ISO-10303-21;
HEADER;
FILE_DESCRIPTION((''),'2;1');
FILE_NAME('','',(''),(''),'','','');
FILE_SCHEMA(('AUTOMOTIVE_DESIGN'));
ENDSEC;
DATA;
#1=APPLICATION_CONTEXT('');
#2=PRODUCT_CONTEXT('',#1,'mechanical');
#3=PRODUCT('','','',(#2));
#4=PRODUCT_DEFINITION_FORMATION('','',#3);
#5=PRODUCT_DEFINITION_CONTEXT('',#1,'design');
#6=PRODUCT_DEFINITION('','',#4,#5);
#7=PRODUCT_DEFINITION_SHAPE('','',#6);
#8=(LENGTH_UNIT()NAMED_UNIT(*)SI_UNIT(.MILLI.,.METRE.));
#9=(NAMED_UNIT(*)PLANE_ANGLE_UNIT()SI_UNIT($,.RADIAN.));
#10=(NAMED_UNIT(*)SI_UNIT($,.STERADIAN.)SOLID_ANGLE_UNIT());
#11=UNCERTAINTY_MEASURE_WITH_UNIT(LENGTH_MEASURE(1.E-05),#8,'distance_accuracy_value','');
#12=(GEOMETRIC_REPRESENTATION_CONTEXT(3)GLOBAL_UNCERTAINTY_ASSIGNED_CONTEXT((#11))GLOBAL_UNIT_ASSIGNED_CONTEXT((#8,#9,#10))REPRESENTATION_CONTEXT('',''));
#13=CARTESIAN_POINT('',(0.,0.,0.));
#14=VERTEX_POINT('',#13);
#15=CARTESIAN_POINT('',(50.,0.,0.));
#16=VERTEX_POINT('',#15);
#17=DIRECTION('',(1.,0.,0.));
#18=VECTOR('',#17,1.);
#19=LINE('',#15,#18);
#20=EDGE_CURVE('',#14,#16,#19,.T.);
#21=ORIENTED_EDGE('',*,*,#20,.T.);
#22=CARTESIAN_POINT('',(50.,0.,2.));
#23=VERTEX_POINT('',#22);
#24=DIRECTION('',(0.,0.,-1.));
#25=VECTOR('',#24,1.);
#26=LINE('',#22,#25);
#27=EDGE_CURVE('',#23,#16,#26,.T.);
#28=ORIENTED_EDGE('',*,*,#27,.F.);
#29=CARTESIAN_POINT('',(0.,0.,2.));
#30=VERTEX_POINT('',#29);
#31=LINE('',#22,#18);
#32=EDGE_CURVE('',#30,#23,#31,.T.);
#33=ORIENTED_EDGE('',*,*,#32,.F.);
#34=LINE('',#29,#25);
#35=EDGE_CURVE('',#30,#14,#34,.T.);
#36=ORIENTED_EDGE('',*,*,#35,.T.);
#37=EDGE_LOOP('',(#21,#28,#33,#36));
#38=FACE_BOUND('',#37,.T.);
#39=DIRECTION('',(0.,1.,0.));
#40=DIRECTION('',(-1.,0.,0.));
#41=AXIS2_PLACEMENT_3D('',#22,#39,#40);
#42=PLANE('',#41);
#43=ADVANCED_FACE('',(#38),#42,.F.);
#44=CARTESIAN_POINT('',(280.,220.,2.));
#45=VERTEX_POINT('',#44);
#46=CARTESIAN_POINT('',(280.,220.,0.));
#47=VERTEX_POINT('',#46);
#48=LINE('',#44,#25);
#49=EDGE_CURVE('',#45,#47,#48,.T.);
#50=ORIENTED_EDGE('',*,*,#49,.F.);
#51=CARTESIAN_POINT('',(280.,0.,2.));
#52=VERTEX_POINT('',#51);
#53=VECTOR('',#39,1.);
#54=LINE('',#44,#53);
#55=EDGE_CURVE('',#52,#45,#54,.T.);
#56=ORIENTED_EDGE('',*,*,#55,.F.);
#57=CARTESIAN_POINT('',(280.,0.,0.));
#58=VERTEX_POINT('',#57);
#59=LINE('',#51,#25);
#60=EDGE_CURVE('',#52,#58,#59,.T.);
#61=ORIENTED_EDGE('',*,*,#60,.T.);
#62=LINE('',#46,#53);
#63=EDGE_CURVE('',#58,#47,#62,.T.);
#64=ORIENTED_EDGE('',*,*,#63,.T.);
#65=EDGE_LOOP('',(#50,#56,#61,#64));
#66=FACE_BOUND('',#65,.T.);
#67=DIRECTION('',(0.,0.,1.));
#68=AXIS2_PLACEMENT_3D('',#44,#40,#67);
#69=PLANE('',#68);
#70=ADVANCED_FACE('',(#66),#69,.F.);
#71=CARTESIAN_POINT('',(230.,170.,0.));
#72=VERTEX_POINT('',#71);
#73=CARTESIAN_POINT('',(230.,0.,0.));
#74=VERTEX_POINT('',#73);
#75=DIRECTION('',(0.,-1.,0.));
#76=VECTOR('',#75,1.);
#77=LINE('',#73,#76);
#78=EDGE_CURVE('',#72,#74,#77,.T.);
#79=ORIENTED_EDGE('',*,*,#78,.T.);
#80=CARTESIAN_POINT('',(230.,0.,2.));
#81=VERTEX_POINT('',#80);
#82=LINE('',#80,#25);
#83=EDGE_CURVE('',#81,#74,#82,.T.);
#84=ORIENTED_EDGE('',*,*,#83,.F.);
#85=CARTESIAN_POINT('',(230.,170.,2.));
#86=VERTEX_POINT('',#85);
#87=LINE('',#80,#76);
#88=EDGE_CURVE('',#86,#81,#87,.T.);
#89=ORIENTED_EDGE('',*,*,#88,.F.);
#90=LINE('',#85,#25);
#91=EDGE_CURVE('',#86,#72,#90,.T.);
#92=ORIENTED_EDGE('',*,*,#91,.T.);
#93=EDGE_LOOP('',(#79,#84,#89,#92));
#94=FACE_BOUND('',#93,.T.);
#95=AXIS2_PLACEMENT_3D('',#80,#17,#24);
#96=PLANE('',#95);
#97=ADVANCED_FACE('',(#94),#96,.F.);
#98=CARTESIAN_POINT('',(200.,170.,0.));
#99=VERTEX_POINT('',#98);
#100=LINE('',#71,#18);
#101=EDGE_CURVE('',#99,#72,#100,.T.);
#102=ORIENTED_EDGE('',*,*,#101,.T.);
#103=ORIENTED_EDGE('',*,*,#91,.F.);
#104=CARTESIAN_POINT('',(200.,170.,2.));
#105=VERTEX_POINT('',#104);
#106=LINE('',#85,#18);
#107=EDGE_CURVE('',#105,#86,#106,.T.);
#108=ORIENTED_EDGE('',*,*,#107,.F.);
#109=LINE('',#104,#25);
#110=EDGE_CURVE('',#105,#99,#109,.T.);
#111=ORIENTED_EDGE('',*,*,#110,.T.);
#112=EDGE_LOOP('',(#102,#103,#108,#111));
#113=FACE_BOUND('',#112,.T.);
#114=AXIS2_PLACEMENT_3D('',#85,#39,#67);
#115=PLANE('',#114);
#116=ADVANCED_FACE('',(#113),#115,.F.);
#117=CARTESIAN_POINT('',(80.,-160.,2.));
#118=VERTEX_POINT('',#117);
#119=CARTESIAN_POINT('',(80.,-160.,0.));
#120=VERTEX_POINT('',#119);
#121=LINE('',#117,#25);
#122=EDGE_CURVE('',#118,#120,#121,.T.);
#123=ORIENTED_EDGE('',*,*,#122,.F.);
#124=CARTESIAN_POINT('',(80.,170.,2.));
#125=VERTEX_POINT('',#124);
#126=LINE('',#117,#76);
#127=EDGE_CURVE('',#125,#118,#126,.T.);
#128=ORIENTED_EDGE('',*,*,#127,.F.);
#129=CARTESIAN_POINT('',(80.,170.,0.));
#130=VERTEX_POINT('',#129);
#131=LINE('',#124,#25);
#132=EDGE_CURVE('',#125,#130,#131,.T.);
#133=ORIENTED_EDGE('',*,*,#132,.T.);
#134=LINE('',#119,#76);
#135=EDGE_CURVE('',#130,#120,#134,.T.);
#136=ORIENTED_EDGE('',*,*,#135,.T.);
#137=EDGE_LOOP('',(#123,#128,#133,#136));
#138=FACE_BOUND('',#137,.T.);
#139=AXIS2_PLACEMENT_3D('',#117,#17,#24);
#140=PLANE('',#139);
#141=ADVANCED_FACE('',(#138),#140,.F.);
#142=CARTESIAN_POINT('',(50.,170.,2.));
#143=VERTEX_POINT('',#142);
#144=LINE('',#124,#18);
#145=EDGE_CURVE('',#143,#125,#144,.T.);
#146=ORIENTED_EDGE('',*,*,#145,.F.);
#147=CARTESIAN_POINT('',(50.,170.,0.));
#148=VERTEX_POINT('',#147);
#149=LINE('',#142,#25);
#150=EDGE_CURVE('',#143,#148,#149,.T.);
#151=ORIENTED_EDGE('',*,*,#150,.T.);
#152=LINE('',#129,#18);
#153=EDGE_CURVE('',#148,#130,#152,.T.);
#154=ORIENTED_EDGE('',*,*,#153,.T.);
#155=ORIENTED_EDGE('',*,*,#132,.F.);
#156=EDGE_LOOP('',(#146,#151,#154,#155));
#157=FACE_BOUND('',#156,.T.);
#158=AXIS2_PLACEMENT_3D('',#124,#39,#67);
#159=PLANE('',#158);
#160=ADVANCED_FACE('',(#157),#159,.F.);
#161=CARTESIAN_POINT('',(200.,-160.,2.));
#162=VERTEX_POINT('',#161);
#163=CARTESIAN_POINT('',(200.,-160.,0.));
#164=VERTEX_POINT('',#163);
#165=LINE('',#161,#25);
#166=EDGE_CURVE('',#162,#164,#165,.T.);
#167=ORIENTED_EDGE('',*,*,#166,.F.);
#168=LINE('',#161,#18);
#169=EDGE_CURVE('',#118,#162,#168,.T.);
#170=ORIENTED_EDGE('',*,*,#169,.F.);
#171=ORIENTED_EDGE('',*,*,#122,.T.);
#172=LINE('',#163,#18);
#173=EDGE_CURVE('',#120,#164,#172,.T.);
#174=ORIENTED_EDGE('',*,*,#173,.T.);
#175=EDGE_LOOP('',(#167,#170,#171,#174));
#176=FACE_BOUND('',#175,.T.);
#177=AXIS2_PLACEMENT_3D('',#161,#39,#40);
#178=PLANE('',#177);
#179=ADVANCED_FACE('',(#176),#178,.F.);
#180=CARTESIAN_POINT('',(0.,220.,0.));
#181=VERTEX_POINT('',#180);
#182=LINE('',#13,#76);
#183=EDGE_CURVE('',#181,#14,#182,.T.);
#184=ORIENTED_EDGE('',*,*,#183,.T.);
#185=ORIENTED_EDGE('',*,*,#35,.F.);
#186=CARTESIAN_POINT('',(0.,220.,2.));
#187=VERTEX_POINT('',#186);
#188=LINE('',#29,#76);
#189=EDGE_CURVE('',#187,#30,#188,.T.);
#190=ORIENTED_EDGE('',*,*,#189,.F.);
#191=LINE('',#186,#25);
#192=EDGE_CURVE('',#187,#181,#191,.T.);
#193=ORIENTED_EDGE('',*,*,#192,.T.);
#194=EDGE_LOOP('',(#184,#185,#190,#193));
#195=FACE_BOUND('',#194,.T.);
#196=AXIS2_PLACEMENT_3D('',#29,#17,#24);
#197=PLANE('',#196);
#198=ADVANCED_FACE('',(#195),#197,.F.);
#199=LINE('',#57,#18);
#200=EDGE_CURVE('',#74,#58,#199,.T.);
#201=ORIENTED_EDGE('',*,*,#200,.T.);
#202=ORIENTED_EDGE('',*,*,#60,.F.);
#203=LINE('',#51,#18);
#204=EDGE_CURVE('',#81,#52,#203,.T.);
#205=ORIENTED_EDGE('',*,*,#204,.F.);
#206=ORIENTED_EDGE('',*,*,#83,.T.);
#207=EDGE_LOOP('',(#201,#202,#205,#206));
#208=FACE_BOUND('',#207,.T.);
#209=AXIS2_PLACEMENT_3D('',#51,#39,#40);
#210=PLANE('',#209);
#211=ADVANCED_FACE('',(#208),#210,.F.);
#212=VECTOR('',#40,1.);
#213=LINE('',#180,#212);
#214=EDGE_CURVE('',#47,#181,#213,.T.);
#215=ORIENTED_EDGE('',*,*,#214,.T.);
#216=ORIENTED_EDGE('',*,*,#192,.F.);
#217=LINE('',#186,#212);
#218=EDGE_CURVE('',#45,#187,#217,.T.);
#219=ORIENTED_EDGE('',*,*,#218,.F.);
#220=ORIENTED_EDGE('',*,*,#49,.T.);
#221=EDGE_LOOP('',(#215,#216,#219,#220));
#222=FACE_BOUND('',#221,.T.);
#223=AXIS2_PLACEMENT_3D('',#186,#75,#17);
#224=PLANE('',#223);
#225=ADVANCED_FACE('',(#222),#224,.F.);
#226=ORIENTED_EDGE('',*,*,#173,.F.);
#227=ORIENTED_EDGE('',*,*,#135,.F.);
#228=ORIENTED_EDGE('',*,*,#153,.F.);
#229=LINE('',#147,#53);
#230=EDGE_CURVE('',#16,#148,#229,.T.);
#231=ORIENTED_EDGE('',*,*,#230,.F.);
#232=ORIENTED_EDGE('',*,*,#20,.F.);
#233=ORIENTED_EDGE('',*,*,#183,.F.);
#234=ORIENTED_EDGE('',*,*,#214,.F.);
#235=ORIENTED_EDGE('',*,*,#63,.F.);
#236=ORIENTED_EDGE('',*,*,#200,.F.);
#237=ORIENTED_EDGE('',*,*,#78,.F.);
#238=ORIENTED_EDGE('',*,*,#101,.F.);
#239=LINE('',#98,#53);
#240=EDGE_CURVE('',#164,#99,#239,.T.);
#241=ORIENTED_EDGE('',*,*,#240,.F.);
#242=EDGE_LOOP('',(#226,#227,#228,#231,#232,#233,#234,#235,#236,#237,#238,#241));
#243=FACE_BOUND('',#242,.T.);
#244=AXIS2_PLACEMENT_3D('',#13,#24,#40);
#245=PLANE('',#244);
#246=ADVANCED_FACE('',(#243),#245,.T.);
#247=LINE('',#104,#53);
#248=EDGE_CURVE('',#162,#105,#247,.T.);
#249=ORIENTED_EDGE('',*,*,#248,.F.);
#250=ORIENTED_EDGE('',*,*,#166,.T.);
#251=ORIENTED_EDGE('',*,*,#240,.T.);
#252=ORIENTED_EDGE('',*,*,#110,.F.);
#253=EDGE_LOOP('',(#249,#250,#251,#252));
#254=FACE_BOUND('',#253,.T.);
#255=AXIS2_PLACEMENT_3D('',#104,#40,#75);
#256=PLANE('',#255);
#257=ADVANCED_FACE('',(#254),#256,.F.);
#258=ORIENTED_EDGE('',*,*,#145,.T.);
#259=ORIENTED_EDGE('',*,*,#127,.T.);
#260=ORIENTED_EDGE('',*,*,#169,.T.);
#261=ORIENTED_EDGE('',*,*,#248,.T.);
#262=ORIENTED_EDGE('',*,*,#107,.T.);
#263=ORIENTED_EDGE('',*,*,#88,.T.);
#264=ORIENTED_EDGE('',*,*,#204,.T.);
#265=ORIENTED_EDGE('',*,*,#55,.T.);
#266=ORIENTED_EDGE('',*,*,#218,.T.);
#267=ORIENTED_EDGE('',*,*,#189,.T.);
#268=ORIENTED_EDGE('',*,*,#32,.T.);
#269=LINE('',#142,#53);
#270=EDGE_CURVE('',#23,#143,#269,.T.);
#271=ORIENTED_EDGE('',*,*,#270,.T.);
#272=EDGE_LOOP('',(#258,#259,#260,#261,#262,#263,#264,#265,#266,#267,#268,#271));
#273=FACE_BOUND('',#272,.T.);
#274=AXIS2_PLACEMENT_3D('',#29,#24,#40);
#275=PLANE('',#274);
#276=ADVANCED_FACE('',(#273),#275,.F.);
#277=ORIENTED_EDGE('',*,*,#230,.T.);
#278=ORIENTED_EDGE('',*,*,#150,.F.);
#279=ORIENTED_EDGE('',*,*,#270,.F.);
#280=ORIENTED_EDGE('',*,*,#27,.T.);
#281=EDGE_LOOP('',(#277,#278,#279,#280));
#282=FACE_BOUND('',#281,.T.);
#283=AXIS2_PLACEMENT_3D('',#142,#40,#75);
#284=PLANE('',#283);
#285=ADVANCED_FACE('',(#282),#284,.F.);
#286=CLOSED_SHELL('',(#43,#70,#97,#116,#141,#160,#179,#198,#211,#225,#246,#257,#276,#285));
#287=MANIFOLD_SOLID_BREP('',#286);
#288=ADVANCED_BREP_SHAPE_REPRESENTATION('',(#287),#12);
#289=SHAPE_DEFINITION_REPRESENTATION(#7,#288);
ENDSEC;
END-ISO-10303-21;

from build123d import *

# Parameters (mm, degrees)
BOSS_EXTRUDE1_DEPTH = 2


with BuildPart() as part:
    # Sketch1 → Boss-Extrude1 (new body)
    with BuildSketch(Plane.XY):
        Polygon((0, 0), (0, 220), (280, 220), (280, 0), (230, 0), (230, 170), (200, 170), (200, -160), (80, -160), (80, 170), (50, 170), (50, 0), align=None)
    extrude(amount=BOSS_EXTRUDE1_DEPTH)


solid = part.part
